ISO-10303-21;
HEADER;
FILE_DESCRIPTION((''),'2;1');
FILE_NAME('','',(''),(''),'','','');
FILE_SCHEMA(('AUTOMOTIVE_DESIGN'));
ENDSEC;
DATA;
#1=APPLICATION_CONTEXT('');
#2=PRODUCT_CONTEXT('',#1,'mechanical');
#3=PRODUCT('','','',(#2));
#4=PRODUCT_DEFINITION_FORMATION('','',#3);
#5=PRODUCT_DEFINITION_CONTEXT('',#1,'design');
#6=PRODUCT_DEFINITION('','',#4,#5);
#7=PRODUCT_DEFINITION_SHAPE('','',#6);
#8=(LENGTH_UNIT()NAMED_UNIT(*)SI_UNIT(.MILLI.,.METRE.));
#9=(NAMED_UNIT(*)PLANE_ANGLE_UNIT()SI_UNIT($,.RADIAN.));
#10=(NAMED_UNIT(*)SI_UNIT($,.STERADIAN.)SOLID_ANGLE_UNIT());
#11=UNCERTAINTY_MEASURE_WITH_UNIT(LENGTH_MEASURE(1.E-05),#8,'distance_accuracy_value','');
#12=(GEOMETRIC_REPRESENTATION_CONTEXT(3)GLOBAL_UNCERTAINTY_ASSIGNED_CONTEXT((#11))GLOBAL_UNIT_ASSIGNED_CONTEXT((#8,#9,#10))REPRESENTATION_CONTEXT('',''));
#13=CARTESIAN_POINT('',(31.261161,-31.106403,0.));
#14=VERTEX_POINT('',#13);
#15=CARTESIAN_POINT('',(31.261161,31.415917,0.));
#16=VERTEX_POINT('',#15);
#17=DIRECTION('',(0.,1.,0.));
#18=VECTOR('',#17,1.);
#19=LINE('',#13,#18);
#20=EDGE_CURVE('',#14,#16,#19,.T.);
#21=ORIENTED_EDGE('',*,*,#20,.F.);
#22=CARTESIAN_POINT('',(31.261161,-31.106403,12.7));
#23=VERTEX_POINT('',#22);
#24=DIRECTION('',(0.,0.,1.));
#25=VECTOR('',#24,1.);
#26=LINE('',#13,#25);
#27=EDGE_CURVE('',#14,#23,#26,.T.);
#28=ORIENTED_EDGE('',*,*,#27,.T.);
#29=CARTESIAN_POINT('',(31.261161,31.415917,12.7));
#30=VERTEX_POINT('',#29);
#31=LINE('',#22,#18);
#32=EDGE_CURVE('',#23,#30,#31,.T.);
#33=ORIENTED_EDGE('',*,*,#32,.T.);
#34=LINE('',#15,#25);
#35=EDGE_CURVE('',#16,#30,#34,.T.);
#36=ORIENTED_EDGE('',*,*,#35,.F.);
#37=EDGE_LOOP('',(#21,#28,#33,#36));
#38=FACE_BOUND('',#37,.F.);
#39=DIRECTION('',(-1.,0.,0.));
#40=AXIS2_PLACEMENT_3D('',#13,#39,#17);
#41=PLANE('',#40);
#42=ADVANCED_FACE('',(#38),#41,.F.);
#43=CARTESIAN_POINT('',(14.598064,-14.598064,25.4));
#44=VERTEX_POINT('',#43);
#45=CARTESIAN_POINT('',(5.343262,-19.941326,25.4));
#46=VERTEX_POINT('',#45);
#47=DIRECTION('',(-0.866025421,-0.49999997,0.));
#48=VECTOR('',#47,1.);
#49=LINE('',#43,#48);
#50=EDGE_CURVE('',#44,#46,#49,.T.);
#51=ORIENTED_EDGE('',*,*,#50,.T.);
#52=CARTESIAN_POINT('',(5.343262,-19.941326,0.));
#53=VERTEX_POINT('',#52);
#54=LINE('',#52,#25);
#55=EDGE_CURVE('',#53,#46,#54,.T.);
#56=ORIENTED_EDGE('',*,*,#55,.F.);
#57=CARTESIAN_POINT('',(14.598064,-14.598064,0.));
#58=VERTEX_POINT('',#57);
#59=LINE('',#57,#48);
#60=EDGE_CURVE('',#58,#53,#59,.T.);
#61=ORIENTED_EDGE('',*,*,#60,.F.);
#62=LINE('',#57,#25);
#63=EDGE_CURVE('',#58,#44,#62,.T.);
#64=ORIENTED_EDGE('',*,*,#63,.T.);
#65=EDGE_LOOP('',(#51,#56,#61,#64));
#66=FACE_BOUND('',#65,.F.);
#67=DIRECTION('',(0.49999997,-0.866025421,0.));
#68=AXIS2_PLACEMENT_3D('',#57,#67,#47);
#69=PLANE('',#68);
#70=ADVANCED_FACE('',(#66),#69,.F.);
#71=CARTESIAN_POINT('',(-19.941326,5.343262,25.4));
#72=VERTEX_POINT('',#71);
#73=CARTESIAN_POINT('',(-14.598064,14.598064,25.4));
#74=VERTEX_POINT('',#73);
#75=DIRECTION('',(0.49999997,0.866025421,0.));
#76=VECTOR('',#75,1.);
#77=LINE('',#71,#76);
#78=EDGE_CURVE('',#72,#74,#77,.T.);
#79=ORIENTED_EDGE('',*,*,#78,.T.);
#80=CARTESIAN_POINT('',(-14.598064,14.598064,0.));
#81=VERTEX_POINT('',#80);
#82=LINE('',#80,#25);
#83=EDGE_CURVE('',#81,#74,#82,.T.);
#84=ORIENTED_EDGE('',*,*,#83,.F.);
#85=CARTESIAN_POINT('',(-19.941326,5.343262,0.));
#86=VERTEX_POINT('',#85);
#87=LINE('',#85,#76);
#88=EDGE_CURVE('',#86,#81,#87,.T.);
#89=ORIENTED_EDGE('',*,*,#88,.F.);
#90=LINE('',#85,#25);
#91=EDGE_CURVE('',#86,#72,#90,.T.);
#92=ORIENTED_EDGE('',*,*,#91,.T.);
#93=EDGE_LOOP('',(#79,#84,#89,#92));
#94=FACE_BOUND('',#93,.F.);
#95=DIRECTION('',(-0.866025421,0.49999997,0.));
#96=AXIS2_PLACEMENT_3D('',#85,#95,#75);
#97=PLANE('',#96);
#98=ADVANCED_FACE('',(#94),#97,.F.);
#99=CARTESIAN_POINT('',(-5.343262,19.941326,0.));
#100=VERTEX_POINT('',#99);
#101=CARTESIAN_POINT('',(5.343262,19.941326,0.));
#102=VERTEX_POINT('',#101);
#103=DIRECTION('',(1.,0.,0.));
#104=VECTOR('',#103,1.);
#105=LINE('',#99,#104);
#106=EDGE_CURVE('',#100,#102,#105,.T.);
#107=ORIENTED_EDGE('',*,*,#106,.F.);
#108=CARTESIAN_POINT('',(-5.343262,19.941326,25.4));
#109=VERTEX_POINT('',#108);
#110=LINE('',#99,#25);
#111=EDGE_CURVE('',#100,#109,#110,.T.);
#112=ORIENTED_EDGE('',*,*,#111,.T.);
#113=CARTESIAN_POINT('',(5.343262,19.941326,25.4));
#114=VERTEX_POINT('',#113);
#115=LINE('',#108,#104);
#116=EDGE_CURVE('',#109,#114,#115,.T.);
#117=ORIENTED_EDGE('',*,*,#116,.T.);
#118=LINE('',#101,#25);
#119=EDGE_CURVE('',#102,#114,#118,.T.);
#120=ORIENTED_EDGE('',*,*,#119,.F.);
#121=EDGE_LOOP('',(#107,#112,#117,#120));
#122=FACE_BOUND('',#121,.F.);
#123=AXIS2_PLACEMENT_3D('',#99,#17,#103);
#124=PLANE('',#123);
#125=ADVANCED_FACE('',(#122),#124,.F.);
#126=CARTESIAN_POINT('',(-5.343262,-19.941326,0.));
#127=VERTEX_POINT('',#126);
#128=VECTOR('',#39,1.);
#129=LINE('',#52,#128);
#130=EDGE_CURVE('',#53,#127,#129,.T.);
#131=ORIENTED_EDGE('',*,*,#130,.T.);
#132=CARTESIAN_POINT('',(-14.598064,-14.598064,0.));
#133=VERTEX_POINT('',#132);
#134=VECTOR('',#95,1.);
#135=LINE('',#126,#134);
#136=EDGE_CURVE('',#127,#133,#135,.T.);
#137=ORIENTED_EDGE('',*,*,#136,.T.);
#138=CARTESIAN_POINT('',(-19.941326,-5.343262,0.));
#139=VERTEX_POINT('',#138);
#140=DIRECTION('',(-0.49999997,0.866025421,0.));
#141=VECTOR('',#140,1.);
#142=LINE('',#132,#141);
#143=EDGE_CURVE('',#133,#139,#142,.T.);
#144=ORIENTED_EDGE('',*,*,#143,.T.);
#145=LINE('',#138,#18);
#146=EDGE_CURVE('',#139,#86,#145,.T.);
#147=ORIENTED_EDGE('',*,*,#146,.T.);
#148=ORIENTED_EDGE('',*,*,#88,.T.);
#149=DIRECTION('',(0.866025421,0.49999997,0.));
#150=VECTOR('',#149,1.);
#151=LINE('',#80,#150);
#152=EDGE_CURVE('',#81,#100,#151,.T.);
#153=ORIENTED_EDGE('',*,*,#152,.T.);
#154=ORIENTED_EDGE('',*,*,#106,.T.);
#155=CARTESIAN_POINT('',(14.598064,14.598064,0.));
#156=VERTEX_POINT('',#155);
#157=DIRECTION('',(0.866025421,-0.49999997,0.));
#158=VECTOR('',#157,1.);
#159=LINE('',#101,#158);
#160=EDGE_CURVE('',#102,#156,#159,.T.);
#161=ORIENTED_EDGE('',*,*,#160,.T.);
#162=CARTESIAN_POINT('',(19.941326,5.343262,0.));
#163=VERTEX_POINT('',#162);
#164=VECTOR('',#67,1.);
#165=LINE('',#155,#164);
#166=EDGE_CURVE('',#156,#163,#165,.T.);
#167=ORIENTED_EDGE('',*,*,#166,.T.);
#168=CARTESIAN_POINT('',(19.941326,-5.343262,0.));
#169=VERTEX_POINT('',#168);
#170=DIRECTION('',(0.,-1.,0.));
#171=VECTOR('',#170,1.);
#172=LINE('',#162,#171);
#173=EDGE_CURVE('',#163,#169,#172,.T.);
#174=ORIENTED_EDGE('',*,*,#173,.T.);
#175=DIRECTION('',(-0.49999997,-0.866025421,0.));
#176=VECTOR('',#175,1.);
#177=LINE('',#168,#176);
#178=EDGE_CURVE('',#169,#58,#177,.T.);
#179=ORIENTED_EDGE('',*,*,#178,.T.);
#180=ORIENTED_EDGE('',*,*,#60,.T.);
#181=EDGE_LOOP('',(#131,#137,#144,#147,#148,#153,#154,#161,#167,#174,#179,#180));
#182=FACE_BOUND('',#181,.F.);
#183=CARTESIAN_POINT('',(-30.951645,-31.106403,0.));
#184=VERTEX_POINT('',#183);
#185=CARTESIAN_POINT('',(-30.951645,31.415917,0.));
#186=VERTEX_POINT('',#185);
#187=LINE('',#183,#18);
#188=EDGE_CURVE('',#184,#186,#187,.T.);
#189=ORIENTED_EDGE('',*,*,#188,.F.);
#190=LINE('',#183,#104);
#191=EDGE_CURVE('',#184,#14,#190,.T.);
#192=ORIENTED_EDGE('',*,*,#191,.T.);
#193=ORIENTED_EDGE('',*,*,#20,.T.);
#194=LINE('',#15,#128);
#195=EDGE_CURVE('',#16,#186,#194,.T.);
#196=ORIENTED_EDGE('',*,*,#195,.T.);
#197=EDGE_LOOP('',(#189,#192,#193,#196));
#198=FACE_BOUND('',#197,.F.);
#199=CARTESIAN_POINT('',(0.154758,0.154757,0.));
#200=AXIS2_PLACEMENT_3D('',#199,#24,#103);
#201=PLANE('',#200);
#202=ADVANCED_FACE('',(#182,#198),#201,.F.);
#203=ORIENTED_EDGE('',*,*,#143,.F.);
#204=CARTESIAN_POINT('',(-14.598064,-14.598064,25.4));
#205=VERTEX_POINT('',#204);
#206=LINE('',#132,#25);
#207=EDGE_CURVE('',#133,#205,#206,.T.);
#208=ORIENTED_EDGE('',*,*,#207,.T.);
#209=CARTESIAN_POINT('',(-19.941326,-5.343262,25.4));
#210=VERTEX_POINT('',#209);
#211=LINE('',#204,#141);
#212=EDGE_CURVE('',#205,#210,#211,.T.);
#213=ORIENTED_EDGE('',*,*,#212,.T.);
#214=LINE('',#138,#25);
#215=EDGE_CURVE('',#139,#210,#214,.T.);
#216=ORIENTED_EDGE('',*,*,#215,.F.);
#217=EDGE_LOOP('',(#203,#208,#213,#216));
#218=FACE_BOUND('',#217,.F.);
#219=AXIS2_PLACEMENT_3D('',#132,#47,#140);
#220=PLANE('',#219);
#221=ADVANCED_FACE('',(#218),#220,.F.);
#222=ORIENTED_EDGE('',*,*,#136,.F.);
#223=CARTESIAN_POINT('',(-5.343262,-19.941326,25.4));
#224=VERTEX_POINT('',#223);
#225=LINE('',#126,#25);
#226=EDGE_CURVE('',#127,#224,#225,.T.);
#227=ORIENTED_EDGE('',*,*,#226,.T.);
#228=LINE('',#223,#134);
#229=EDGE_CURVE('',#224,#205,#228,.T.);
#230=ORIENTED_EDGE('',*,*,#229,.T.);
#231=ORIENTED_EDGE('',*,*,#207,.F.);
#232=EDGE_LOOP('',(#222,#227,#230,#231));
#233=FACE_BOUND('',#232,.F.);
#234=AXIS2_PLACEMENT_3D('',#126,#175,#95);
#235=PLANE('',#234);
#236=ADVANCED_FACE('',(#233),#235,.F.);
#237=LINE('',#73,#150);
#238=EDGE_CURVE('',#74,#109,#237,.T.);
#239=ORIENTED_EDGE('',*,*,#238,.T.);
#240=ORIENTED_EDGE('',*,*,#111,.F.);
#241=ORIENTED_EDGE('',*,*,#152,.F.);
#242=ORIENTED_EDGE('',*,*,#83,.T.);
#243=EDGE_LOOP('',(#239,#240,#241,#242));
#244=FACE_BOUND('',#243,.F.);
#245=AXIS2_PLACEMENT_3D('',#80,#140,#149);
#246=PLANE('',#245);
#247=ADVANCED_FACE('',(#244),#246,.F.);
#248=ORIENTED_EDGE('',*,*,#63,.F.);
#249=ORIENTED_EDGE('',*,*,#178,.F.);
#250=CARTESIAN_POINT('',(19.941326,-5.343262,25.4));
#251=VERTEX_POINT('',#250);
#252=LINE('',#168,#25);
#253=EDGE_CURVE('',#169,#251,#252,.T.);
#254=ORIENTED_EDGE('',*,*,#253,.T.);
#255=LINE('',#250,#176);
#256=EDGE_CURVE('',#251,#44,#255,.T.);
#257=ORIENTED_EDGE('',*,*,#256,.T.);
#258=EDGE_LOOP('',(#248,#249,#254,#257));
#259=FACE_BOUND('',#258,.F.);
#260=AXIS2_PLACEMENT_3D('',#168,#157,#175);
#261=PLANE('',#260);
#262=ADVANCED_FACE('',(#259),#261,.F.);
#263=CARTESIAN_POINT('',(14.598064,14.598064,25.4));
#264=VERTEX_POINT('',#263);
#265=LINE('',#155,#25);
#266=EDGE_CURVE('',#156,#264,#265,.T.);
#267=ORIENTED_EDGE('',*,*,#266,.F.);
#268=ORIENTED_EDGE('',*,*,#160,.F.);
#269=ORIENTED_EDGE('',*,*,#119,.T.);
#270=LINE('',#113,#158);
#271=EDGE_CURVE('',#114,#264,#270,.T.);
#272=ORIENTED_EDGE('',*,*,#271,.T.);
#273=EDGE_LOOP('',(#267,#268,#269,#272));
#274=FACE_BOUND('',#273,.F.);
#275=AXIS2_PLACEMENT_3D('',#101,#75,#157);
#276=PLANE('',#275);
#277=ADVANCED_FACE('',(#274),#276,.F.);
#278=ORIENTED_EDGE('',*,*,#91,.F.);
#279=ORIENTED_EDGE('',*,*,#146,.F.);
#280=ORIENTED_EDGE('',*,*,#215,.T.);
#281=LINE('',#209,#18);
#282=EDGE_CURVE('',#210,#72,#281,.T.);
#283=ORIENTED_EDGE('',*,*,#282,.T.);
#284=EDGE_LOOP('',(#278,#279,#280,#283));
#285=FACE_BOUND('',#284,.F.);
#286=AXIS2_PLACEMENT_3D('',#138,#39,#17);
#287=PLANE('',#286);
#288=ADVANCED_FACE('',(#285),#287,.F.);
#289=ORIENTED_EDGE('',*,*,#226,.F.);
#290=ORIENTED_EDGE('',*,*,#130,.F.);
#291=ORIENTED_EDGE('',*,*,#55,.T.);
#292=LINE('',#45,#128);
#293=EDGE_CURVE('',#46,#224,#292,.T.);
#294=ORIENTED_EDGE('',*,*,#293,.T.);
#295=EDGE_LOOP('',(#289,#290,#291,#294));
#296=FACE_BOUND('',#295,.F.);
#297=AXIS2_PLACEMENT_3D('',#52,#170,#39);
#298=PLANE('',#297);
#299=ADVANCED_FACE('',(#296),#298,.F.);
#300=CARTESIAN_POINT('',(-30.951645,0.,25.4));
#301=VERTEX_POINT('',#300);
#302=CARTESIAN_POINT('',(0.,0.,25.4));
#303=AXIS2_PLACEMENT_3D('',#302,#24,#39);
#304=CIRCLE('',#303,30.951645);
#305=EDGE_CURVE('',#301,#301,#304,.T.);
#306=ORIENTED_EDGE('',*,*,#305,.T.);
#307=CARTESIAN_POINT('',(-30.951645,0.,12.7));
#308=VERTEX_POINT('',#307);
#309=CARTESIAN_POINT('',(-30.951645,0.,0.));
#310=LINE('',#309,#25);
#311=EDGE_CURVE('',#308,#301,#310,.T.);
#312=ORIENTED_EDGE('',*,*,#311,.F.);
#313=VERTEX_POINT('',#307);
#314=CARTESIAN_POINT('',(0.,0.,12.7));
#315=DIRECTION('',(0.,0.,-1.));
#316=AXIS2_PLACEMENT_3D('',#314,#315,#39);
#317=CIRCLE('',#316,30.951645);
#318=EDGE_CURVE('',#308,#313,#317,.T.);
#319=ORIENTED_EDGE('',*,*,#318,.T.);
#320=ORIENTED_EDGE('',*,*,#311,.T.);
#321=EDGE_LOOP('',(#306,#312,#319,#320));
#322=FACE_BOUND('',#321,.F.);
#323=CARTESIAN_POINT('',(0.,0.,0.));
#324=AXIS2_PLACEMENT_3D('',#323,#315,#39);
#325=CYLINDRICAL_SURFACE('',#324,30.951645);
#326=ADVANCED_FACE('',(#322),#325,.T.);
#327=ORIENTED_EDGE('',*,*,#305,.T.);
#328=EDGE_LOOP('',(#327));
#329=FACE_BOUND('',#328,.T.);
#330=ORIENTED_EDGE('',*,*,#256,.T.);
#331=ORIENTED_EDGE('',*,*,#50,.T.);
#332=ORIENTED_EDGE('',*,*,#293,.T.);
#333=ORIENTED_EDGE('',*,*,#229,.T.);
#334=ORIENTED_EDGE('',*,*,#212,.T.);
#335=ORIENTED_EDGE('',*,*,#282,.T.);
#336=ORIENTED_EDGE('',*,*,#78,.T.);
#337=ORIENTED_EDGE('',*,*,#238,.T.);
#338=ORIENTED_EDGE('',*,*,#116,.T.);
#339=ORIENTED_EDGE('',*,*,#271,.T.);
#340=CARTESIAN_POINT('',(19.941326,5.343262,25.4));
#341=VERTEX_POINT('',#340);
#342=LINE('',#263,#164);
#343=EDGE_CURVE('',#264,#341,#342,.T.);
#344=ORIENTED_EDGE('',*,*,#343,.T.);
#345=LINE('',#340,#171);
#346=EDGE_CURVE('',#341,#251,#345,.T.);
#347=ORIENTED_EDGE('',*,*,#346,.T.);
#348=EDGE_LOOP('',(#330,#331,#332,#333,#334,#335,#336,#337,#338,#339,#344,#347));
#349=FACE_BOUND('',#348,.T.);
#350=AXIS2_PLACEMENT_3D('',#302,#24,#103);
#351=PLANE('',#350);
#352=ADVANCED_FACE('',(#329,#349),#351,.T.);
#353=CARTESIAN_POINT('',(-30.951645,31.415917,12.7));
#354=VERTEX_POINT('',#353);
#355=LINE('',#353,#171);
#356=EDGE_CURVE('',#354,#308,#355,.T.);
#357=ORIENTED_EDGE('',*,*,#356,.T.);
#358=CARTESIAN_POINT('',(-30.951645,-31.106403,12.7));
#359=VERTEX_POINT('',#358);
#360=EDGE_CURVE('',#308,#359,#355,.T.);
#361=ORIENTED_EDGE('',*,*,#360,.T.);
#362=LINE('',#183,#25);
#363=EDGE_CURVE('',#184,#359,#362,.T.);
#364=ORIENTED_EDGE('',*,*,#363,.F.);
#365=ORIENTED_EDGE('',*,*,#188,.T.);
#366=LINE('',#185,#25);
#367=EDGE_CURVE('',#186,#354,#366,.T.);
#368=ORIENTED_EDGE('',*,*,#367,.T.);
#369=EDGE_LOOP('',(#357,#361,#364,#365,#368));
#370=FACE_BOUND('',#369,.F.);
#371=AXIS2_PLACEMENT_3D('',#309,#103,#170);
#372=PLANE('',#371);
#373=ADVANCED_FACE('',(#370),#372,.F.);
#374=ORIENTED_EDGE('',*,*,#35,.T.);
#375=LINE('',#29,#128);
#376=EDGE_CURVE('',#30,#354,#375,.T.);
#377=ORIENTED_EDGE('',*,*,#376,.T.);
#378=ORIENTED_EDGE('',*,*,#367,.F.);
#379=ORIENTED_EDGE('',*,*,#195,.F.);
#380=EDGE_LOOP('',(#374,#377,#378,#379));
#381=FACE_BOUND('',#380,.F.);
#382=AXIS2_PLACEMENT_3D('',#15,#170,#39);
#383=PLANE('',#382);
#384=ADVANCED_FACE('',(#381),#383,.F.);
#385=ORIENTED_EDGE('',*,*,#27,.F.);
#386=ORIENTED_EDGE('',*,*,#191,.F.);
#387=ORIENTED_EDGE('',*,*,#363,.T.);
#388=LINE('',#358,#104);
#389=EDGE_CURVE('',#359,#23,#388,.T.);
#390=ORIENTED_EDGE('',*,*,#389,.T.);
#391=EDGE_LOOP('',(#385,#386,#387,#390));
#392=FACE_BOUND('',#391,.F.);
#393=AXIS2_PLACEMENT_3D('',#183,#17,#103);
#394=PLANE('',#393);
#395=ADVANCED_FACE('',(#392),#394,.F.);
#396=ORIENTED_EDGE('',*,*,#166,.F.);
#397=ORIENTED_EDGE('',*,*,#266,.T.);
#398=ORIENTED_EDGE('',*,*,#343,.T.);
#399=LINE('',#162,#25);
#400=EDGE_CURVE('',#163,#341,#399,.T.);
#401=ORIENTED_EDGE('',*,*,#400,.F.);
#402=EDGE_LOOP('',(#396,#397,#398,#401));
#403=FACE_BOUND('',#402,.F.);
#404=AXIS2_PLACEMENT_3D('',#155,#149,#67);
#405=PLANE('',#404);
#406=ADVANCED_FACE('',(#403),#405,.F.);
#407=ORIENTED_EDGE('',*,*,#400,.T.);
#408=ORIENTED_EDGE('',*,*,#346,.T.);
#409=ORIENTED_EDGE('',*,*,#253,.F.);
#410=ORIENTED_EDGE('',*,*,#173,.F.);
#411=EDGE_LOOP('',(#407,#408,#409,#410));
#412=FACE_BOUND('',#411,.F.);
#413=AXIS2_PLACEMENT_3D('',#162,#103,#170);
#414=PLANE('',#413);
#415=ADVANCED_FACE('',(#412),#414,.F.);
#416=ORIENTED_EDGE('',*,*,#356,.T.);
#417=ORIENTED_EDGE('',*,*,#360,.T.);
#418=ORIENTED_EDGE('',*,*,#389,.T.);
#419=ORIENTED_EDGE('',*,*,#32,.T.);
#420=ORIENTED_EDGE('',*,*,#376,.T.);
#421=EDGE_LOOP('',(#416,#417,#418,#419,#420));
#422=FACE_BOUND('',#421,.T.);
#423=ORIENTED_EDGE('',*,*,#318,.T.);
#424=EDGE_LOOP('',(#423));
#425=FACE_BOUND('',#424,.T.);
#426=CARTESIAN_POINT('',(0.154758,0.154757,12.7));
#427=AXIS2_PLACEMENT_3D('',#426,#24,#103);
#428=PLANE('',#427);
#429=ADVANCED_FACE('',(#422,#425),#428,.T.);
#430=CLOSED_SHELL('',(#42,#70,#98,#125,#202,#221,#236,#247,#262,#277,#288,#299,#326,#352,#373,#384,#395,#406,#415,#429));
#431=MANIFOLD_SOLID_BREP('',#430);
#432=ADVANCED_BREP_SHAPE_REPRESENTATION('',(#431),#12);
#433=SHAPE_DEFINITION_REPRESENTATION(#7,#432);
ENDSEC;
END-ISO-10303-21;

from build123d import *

# Parameters (mm, degrees)
F1_DEPTH = 25.4
F2_DEPTH = 12.7


with BuildPart() as f1:
    # F0 (on Top) → F1 (new body)
    with BuildSketch(Plane.XY):
        with BuildLine():
            ThreePointArc((30.951645, 0), (0, 30.951645), (-30.951645, 0))
            ThreePointArc((-30.951645, 0), (0, -30.951645), (30.951645, 0))
        make_face()
        Polygon((-14.598064, -14.598064), (-19.941326, -5.343262), (-19.941326, 5.343262), (-14.598064, 14.598064), (-5.343262, 19.941326), (5.343262, 19.941326), (14.598064, 14.598064), (19.941326, 5.343262), (19.941326, -5.343262), (14.598064, -14.598064), (5.343262, -19.941326), (-5.343262, -19.941326), align=None, mode=Mode.SUBTRACT)
    extrude(amount=F1_DEPTH)

    # F0 (on Top) → F2 (join)
    with BuildSketch(Plane.XY):
        Polygon((31.261161, 31.415917), (-30.951645, 31.415917), (-30.951645, 0), (-30.951645, -31.106403), (31.261161, -31.106403), align=None)
        with BuildLine():
            ThreePointArc((30.951645, 0), (0, -30.951645), (-30.951645, 0))
            ThreePointArc((-30.951645, 0), (0, 30.951645), (30.951645, 0))
        make_face(mode=Mode.SUBTRACT)
    extrude(amount=F2_DEPTH)


solid = f1.part
